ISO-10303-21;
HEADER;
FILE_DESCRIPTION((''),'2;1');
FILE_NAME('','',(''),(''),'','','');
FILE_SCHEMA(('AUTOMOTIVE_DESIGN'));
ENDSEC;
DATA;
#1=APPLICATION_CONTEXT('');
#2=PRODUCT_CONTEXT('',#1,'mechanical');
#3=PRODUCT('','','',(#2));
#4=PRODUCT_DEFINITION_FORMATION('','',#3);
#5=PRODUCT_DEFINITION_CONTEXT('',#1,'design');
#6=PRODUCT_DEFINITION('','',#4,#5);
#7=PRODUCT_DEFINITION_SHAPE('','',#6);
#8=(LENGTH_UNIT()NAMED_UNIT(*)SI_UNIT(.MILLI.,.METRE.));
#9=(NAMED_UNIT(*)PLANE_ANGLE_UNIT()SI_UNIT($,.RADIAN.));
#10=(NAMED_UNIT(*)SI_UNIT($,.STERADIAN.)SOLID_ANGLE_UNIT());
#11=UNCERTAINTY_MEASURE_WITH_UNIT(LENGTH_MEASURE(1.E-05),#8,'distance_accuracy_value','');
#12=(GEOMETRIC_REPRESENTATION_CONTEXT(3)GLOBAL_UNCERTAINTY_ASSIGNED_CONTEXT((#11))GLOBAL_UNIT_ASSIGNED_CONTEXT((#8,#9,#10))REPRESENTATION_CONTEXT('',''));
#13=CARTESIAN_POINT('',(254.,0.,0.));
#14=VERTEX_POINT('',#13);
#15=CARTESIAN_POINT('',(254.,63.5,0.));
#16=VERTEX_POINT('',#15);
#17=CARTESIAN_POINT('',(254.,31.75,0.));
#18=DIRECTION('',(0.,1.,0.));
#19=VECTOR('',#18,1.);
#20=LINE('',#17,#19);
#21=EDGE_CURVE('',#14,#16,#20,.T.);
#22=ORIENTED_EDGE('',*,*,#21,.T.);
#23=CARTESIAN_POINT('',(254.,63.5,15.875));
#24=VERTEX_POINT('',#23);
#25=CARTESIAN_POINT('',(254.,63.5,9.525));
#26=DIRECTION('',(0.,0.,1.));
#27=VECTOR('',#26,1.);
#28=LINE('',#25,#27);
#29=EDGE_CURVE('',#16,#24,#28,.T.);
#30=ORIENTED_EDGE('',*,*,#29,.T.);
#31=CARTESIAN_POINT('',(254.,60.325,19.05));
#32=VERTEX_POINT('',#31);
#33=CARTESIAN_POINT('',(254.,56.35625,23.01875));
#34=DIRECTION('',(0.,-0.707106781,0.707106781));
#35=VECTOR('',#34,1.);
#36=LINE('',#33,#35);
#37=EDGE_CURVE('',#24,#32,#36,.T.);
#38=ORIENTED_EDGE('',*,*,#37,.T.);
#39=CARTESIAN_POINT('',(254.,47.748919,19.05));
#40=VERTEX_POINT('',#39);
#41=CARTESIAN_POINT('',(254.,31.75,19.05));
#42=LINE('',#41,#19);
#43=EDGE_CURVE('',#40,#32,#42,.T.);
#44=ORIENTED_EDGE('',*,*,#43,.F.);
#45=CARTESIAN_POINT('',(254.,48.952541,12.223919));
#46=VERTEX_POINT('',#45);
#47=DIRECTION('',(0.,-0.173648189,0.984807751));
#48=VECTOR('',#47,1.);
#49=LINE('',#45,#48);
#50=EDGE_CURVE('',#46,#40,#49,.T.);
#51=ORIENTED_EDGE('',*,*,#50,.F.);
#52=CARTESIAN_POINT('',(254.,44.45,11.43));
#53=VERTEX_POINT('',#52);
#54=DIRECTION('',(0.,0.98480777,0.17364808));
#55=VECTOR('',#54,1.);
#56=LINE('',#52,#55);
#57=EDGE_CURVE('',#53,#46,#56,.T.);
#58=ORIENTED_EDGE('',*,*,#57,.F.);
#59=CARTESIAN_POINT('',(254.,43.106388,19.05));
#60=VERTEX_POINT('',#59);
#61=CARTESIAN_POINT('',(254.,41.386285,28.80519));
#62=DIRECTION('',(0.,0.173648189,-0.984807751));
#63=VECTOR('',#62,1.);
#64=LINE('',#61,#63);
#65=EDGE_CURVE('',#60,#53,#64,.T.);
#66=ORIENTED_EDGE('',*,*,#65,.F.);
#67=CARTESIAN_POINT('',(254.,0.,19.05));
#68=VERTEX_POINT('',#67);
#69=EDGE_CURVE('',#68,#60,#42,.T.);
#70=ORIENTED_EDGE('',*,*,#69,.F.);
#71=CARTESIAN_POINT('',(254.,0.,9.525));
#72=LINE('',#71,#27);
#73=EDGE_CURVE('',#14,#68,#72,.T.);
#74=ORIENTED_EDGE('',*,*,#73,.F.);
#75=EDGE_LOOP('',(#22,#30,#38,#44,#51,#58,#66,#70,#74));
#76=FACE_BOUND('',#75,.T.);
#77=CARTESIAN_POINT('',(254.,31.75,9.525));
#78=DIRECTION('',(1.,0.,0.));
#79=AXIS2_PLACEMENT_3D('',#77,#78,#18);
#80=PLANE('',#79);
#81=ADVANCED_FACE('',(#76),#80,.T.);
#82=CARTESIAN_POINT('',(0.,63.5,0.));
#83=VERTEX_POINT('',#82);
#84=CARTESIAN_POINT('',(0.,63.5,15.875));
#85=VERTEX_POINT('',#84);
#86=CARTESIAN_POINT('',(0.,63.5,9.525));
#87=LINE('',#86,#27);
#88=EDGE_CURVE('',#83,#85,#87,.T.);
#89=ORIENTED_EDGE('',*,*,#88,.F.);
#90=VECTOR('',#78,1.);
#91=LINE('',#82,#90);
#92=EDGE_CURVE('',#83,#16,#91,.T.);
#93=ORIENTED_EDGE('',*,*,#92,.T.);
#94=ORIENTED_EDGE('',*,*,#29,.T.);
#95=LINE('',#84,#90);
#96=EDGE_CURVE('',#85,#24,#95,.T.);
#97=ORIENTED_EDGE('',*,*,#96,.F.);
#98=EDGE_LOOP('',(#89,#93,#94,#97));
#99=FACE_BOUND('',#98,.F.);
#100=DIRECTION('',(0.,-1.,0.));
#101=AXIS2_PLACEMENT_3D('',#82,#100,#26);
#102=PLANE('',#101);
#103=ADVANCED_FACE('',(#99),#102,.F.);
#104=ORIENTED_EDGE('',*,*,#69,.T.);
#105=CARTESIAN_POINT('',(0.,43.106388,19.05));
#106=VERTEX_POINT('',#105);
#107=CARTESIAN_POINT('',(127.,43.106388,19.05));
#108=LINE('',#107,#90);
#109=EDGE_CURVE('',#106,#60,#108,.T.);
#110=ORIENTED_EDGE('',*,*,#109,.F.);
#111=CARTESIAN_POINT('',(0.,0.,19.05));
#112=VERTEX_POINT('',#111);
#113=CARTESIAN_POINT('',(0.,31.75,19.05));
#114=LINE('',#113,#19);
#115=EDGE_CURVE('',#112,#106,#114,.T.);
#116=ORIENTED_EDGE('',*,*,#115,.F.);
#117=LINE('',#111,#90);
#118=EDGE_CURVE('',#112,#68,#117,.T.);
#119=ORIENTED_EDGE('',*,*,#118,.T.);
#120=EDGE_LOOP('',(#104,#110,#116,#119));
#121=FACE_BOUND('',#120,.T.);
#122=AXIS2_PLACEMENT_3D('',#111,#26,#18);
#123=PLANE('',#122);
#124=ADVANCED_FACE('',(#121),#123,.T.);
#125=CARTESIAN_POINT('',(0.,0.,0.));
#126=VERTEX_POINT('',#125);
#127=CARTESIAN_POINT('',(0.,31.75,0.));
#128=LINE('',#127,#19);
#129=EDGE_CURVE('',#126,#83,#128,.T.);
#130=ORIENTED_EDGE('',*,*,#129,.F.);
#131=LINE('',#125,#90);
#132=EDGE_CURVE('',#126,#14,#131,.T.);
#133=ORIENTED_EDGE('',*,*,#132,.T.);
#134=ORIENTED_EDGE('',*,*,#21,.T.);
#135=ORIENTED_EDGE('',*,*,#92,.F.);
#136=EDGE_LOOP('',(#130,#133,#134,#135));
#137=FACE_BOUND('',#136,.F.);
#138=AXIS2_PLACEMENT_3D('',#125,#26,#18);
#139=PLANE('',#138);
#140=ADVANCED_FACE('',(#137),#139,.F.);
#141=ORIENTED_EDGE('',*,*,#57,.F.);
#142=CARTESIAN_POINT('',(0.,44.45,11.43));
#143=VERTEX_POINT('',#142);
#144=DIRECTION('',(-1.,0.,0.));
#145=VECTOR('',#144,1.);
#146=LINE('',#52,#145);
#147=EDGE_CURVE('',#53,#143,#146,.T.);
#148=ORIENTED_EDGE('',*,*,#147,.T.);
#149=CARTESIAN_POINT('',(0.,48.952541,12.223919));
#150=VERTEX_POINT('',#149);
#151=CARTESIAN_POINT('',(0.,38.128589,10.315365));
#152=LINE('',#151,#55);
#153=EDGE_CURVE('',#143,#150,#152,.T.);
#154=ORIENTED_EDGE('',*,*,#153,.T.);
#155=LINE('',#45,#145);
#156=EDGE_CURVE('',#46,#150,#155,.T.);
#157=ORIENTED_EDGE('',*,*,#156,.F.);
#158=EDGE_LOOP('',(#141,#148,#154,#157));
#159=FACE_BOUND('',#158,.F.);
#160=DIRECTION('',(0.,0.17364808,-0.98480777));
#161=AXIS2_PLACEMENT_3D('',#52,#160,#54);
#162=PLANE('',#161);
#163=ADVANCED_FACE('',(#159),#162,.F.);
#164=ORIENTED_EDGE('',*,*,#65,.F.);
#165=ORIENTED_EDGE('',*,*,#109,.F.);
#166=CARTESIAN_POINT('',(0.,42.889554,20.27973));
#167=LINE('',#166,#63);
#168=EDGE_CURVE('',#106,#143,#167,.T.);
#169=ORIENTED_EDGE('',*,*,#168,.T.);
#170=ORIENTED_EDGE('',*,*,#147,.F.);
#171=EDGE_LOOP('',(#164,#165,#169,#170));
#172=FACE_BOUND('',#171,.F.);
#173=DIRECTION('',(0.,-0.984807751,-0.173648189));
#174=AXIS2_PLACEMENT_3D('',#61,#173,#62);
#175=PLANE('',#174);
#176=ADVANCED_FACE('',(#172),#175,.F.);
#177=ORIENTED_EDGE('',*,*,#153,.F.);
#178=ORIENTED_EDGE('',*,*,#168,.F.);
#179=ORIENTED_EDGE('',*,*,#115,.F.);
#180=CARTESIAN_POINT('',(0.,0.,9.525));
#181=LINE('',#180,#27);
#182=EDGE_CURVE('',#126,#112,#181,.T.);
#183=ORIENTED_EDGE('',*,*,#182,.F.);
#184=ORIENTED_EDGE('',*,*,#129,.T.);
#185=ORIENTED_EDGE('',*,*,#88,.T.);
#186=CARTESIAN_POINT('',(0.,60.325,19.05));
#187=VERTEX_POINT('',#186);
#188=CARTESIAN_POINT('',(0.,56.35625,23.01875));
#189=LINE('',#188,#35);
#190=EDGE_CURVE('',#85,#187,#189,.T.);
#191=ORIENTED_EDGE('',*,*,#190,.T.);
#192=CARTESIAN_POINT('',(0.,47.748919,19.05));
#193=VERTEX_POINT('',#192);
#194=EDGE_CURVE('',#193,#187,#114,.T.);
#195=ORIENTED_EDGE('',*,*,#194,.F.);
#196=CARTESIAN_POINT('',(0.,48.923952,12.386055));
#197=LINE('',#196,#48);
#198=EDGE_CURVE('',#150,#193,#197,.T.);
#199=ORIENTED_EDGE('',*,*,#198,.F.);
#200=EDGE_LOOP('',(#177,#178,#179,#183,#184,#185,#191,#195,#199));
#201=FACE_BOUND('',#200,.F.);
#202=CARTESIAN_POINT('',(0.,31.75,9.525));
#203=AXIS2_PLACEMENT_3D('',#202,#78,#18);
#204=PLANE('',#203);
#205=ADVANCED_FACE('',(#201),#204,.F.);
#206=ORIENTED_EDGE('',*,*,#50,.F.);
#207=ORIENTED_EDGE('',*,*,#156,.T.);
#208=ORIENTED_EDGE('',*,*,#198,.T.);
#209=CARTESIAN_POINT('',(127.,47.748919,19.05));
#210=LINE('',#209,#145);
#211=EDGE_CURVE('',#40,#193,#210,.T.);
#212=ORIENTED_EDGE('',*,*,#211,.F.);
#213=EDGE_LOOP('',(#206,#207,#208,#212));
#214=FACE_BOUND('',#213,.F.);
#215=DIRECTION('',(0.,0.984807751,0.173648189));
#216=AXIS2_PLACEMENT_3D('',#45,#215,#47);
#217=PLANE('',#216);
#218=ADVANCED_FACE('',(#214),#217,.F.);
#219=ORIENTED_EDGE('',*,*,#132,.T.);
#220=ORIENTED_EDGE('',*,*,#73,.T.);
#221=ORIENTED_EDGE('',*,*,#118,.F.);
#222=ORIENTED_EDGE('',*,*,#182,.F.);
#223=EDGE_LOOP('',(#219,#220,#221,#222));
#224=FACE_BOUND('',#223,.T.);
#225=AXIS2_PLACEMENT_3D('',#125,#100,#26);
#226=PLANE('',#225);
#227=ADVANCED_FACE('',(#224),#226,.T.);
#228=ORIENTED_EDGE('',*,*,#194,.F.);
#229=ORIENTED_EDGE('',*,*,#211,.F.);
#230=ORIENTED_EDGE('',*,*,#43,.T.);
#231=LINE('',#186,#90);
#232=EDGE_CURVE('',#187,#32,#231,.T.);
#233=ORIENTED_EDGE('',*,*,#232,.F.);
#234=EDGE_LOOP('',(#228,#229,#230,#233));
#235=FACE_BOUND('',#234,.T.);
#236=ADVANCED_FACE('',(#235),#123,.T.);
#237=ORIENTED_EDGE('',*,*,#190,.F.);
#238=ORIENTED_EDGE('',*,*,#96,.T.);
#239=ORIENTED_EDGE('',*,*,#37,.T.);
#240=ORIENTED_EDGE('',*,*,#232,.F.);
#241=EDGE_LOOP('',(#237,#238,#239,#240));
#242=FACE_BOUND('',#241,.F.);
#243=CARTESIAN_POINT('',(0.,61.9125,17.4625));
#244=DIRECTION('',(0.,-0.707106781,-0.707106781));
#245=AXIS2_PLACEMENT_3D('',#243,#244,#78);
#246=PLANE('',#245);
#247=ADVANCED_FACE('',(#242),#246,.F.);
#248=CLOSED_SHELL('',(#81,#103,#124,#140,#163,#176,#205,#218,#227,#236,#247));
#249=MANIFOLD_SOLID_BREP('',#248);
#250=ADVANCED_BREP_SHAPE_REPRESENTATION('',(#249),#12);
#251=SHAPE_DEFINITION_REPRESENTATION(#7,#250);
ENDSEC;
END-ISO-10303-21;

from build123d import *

# Parameters (mm, degrees)
F0_W     = 63.5
F0_H     = 19.05
F1_DEPTH = 254
F2_SIZE  = 3.175
F4_DEPTH = 254.001


with BuildPart() as f1:
    # F0 (on Right) → F1 (new body)
    with BuildSketch(Plane.YZ):
        with Locations((31.75, 9.525)):
            Rectangle(F0_W, F0_H)
    extrude(amount=F1_DEPTH)

    # F2
    f2_edges = [f1.edges().sort_by_distance(p)[0] for p in [
        (127, 63.5, 19.05),
    ]]
    chamfer(f2_edges, length=F2_SIZE)

    # F3 (on face) → F4 (cut, through all)
    with BuildSketch(Plane.YZ.offset(254)):
        Polygon((45.888826, 29.599109), (41.386285, 28.80519), (44.45, 11.43), (48.952541, 12.223919), align=None)
    extrude(amount=-F4_DEPTH, mode=Mode.SUBTRACT)


with BuildPart() as f5_1:
    # F5: copy of F1
    add(f1.part.moved(Location((0, 0, 82.55))))


with BuildPart() as f6_1:
    # F6: copy of F1
    add(f1.part.moved(Location((0, 0, 165.1))))


with BuildPart() as f7_1:
    # F7: copy of F1
    add(f1.part.moved(Location((0, 0, 247.65))))


solid = f1.part
